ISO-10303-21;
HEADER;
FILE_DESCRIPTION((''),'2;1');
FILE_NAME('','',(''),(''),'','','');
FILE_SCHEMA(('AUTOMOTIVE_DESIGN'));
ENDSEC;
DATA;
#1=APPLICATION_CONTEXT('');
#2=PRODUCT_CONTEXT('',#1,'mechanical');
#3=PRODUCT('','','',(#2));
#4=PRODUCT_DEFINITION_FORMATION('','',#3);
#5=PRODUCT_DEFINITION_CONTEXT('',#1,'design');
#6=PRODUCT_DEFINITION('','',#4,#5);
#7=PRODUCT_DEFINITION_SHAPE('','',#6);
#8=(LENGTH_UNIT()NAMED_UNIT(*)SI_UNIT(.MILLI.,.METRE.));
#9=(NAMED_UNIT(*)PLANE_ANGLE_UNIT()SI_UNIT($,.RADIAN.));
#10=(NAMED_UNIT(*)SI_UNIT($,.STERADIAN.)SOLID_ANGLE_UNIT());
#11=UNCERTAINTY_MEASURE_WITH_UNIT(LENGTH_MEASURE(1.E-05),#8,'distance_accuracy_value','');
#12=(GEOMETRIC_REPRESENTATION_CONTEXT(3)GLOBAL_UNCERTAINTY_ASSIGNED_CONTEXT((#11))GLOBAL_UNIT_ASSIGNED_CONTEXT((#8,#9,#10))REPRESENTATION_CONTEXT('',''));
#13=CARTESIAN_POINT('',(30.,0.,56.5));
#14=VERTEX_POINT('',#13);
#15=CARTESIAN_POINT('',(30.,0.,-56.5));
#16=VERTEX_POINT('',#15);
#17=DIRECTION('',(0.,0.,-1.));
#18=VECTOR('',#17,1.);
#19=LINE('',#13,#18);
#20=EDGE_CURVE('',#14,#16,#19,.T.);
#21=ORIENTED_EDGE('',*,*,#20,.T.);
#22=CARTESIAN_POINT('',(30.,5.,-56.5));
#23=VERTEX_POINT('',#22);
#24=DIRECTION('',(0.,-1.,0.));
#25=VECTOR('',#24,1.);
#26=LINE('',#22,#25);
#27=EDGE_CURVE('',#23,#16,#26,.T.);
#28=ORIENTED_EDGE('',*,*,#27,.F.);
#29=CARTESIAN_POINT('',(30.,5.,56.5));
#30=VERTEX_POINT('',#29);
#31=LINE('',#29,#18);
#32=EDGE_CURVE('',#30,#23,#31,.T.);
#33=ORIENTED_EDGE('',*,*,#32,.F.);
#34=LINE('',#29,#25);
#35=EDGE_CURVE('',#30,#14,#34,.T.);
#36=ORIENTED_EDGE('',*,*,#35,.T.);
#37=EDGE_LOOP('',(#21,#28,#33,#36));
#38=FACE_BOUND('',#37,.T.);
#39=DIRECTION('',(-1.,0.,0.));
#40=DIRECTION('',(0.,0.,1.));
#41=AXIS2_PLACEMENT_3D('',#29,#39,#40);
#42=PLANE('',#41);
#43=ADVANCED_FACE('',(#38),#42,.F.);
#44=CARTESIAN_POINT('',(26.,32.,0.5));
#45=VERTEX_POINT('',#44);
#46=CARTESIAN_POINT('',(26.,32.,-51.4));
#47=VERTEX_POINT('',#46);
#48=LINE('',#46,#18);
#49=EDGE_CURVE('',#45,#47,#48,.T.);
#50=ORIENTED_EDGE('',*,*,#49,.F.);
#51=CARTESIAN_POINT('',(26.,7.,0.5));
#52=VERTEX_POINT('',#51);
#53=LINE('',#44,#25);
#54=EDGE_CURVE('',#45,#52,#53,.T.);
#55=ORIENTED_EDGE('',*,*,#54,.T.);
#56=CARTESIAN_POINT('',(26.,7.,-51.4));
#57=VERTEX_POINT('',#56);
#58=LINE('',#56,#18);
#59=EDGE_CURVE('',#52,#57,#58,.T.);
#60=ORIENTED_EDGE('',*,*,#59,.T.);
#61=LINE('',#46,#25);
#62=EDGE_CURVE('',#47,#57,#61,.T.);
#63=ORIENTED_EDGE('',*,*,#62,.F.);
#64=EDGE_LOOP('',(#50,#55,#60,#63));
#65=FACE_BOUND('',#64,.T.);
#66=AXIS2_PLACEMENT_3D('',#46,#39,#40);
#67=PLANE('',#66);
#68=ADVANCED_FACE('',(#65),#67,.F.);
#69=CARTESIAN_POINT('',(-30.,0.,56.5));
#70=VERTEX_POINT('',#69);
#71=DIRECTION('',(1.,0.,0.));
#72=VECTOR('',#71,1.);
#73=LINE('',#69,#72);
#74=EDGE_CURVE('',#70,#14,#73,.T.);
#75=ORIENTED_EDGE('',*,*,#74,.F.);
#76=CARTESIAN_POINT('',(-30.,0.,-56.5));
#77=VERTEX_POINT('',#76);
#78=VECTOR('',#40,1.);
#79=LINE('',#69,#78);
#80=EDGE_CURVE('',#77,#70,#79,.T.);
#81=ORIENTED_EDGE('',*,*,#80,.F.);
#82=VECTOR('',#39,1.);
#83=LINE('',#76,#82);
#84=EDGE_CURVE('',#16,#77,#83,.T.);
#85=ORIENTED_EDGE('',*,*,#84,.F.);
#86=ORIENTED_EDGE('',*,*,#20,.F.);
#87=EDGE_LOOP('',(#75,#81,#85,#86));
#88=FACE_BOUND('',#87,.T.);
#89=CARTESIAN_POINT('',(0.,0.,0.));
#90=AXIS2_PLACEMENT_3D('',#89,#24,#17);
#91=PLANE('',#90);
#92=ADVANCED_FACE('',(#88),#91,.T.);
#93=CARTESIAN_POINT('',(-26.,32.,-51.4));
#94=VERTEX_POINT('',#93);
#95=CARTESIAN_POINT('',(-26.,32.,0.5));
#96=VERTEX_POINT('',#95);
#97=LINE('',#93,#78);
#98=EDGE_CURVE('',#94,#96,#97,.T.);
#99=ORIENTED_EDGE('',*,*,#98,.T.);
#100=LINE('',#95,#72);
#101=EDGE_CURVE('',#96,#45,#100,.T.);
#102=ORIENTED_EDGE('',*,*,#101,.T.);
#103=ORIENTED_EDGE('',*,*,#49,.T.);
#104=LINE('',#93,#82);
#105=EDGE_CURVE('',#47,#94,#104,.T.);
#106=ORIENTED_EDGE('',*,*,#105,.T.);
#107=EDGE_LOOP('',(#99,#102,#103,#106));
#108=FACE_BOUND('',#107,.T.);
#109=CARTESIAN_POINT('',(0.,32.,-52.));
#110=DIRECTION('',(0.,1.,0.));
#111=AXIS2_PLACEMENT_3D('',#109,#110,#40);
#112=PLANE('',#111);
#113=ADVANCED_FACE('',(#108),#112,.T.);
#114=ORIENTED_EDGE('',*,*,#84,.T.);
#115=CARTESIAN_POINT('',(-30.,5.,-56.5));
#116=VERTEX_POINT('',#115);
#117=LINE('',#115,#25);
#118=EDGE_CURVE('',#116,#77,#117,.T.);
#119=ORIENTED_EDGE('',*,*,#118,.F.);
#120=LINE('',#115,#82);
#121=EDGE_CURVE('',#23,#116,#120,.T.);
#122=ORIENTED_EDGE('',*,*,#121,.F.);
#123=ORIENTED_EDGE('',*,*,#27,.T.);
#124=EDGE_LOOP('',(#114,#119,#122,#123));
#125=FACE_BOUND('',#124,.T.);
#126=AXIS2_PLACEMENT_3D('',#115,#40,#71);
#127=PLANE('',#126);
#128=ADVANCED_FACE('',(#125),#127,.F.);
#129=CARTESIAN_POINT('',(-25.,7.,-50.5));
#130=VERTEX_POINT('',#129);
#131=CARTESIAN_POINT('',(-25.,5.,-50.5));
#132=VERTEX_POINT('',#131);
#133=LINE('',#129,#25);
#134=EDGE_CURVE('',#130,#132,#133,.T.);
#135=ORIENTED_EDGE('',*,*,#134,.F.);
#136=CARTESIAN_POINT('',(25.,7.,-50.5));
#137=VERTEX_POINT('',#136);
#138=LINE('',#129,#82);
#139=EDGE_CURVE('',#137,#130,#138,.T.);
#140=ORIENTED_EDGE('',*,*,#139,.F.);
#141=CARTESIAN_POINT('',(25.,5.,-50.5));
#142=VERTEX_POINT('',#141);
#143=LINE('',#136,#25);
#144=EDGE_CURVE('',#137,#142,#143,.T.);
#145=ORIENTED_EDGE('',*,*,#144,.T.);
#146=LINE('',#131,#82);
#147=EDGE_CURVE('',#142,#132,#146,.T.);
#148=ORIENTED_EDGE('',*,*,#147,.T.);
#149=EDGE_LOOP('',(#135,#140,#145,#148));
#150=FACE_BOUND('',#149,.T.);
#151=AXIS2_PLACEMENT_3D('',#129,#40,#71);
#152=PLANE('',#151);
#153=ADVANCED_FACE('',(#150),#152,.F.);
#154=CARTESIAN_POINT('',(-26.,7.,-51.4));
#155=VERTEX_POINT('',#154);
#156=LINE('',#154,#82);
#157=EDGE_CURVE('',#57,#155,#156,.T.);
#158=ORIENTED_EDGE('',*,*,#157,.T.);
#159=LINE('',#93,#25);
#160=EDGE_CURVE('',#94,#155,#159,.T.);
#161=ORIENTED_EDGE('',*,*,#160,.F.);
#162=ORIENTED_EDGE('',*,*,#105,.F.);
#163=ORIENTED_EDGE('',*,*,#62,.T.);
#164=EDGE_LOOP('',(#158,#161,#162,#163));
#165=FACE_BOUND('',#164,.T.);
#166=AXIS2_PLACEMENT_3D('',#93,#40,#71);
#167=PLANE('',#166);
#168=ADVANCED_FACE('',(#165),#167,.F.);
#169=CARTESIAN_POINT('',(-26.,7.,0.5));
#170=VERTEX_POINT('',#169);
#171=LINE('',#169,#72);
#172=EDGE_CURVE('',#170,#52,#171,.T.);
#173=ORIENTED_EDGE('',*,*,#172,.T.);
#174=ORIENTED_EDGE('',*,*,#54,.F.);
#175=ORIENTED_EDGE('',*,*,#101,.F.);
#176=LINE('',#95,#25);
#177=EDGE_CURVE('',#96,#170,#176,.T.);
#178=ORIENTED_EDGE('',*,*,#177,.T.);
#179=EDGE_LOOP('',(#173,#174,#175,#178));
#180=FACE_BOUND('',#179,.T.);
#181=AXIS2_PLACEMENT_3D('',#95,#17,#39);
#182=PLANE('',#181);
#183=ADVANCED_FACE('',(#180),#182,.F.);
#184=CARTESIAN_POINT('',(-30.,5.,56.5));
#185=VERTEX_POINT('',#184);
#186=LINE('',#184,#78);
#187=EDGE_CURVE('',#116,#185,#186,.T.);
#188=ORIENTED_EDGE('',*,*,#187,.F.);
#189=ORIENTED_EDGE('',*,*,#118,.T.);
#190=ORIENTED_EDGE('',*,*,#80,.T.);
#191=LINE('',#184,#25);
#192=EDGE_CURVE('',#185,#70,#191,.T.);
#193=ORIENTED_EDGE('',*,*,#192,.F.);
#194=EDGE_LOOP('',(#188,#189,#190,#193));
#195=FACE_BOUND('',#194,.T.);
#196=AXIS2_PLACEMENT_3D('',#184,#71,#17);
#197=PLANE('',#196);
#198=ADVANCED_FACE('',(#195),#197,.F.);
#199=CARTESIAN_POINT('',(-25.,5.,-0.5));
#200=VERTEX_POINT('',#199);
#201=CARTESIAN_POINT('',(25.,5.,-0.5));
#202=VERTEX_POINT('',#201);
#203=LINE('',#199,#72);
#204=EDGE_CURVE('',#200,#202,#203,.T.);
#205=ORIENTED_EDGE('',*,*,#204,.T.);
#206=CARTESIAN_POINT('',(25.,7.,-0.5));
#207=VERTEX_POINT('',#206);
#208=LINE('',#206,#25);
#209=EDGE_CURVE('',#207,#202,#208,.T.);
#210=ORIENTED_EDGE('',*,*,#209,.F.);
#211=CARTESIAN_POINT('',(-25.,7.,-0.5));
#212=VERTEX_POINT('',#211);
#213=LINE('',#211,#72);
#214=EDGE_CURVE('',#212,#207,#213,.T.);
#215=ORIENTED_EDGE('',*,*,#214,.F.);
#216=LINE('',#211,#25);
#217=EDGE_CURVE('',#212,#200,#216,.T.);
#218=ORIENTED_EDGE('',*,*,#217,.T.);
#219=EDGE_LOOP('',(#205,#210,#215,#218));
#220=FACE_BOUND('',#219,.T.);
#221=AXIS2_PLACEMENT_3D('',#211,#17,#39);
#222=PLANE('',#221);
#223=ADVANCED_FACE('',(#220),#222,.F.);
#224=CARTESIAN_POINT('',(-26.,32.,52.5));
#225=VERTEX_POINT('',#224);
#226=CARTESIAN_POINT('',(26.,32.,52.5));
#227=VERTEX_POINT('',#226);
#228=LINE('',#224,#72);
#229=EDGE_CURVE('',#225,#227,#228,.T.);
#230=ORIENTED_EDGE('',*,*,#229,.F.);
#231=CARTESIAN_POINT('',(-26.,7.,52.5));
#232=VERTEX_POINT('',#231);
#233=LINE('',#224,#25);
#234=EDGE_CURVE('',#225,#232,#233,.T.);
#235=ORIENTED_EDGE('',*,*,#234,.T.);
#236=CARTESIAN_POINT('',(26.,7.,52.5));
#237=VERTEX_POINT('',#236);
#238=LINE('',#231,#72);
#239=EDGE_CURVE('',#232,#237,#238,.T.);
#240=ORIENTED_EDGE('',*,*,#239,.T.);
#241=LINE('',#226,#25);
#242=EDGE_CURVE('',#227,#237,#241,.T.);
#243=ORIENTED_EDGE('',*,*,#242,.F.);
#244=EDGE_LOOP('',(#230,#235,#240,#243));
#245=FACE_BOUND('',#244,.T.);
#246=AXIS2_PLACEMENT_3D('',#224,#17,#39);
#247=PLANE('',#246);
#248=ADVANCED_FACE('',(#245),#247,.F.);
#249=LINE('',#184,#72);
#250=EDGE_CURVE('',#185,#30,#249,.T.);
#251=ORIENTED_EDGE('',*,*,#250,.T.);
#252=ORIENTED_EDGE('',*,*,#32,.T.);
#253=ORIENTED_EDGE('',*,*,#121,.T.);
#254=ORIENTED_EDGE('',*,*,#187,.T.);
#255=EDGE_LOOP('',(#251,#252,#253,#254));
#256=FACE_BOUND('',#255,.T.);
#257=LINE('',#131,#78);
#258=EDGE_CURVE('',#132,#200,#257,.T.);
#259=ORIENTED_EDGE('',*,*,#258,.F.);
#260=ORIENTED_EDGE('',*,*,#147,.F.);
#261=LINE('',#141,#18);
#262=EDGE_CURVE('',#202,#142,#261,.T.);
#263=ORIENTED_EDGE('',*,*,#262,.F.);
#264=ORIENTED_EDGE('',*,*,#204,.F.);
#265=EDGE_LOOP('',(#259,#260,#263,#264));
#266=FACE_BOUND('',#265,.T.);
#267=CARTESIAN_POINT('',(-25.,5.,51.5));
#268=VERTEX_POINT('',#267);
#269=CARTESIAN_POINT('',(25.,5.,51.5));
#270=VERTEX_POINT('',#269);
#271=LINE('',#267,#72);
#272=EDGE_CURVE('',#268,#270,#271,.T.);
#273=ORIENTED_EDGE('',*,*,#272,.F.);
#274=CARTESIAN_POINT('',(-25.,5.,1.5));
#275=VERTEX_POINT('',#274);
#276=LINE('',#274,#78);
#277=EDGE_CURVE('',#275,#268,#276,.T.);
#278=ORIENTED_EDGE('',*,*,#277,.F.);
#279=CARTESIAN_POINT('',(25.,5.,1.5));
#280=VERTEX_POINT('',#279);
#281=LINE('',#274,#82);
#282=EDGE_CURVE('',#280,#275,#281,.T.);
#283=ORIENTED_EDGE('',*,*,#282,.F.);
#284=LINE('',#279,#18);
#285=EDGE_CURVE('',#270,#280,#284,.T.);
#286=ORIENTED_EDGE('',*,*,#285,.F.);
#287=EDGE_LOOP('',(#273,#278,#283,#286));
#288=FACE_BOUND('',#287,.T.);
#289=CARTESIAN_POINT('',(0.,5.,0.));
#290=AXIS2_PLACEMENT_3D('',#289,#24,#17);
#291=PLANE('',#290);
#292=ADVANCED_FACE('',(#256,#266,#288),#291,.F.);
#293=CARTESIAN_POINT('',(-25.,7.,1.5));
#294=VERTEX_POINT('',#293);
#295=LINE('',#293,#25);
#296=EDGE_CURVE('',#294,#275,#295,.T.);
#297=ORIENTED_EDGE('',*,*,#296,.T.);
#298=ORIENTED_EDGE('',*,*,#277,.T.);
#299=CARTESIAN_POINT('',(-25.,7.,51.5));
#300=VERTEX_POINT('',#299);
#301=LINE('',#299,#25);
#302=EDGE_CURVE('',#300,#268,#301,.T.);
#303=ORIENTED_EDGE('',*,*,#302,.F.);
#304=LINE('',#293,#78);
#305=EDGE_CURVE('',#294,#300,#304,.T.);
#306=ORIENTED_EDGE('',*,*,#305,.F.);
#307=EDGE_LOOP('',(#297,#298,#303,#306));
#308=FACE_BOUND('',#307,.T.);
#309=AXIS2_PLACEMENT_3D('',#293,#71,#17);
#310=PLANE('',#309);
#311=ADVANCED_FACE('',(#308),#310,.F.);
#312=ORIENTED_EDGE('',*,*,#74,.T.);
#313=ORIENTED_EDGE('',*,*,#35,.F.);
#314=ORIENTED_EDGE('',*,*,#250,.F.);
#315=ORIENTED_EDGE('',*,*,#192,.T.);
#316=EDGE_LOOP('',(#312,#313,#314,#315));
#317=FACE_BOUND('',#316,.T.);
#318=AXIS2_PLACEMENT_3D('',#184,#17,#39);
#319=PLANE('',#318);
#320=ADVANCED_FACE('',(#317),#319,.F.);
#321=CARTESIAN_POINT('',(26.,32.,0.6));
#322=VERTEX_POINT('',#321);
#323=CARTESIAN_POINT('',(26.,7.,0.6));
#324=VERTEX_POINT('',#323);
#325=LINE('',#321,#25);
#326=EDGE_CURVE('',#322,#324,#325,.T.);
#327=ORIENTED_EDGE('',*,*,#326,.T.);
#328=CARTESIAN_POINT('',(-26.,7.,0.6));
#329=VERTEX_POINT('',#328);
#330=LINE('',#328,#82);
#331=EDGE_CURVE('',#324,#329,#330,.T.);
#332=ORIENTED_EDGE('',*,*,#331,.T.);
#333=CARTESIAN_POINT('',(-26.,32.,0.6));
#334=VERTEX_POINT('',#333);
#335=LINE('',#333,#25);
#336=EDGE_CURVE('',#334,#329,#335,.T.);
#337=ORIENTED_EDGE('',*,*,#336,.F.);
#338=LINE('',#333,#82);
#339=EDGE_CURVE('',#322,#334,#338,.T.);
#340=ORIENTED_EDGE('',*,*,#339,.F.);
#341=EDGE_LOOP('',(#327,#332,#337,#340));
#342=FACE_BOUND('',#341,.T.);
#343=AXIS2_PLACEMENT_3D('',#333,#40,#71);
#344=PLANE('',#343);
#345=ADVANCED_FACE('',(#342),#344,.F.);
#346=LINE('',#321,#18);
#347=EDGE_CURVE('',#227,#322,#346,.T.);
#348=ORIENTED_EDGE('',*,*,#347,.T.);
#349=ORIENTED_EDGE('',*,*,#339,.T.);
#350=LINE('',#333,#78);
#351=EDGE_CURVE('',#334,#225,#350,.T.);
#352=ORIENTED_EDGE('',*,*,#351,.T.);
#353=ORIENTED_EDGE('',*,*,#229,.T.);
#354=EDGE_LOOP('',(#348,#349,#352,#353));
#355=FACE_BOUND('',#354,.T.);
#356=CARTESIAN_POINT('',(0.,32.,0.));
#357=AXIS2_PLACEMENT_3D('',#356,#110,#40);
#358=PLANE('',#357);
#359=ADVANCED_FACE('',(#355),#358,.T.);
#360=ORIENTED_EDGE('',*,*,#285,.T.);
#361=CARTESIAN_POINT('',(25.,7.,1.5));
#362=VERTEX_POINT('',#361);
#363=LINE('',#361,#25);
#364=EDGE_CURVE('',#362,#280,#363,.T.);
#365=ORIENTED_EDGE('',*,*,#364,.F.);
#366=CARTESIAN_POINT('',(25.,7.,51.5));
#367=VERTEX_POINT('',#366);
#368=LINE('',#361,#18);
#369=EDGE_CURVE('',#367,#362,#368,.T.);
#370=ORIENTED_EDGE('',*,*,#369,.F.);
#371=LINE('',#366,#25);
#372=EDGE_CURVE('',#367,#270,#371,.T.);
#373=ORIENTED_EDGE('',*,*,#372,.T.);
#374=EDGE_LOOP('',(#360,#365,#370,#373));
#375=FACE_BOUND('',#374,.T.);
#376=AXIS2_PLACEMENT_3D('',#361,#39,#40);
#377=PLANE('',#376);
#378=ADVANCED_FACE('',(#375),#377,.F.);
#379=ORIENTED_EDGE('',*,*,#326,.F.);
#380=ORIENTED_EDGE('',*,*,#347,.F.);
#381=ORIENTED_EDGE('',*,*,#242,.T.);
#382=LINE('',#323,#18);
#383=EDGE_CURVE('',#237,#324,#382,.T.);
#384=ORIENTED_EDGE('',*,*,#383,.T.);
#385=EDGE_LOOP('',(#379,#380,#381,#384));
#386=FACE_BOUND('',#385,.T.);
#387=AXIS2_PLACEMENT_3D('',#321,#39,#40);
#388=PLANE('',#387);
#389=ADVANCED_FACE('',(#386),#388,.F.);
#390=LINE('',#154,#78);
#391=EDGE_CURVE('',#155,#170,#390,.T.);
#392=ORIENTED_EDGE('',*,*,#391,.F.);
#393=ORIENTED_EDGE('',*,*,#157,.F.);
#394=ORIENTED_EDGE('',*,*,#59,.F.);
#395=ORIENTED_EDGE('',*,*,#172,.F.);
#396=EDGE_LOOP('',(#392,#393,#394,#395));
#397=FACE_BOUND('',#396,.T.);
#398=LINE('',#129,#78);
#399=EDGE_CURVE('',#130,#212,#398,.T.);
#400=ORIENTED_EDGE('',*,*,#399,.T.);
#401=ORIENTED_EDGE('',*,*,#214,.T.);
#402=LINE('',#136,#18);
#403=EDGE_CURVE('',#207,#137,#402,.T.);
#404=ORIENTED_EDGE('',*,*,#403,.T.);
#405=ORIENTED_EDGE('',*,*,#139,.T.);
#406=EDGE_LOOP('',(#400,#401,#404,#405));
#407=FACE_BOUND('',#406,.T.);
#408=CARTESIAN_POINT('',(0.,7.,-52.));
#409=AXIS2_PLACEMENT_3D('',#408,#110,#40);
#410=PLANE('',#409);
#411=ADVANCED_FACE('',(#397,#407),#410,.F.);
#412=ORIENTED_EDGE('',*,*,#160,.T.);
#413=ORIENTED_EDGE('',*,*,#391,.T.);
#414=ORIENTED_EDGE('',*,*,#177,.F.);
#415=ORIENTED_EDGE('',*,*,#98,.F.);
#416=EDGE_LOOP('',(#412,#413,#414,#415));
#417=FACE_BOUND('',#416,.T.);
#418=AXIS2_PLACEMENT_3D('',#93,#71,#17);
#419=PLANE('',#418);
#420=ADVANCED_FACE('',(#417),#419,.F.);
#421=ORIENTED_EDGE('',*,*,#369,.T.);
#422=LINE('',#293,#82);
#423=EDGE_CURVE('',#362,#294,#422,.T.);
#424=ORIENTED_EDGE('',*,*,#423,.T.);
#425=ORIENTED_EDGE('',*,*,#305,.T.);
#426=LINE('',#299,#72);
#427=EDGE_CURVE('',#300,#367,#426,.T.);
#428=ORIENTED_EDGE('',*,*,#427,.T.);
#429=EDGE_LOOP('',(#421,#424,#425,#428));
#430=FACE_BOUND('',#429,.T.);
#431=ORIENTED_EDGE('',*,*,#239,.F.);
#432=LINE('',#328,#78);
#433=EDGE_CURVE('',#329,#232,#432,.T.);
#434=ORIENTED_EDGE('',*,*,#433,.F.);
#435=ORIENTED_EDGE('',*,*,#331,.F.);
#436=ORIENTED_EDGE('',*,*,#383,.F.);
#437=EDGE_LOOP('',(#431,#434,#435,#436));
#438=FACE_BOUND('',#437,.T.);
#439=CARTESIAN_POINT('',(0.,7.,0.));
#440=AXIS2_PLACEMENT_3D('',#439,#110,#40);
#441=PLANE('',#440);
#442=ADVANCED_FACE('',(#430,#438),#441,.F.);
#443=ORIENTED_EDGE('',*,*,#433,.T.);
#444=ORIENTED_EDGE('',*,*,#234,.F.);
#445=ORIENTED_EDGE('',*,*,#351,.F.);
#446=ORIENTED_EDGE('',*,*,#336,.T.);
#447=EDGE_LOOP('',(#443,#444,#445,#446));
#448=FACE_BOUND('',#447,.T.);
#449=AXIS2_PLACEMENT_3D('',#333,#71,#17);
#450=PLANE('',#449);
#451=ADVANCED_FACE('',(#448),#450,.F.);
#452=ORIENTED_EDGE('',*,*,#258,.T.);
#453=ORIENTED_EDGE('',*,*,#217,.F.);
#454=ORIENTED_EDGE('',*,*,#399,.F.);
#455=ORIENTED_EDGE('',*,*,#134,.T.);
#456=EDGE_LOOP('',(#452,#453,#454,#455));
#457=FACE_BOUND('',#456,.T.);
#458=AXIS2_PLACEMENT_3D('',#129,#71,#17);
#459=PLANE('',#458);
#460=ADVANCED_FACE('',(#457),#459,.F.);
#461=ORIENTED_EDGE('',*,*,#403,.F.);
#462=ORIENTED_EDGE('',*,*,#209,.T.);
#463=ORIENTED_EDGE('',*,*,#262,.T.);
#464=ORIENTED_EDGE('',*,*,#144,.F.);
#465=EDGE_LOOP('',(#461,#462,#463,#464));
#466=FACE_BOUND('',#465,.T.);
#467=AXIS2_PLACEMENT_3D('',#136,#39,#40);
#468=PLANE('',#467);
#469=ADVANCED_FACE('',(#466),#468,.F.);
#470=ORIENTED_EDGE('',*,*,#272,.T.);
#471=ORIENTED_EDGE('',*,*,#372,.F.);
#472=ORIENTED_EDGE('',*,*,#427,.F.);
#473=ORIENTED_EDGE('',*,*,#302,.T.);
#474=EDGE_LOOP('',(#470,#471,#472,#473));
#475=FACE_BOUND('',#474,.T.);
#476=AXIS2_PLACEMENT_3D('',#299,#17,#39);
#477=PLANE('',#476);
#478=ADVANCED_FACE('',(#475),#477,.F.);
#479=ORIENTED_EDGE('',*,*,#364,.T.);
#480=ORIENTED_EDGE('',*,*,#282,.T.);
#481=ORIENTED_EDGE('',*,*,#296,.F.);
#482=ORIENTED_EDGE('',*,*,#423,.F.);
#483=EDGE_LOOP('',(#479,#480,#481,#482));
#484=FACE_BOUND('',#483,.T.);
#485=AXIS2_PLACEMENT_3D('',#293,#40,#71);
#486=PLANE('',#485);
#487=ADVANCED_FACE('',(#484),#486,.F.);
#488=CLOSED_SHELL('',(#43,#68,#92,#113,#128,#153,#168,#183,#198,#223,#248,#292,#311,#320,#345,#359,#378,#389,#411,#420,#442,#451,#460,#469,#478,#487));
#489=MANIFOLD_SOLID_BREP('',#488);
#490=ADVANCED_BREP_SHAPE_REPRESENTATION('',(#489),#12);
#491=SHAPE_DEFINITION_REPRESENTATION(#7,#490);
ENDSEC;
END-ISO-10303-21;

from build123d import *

# Parameters (mm, degrees)
SKETCH1_W           = 60
SKETCH1_H           = 113
BOSS_EXTRUDE1_DEPTH = 5
SKETCH2_W           = 50
SKETCH2_H           = 50
BOSS_EXTRUDE3_DEPTH = 2
LPATTERN1_COUNT     = 2
LPATTERN1_PITCH     = 52
SKETCH3_W           = 52
SKETCH3_H           = 51.9
BOSS_EXTRUDE8_DEPTH = 25
LPATTERN5_COUNT     = 2
LPATTERN5_PITCH     = 52


with BuildPart() as part:
    # Sketch1 → Boss-Extrude1 (new body)
    with BuildSketch(Plane(origin=(0, 0, 0), x_dir=(1, 0, 0), z_dir=(0, 1, 0))):
        Rectangle(SKETCH1_W, SKETCH1_H)
    extrude(amount=BOSS_EXTRUDE1_DEPTH)

    # Sketch2 → Boss-Extrude3 (add)
    with BuildSketch(Plane(origin=(0, 5, 0), x_dir=(1, 0, 0), z_dir=(0, 1, 0))):
        with Locations((0, -26.5)):
            Rectangle(SKETCH2_W, SKETCH2_H)
    boss_extrude3 = extrude(amount=BOSS_EXTRUDE3_DEPTH)

    # LPattern1: Boss-Extrude3 ×2
    with Locations(*[(0, 0, -i * LPATTERN1_PITCH) for i in range(1, LPATTERN1_COUNT)]):
        add(boss_extrude3)

    # Sketch3 → Boss-Extrude8 (add)
    with BuildSketch(Plane(origin=(0, 7, 0), x_dir=(1, 0, 0), z_dir=(0, 1, 0))):
        with Locations((0, -26.55)):
            Rectangle(SKETCH3_W, SKETCH3_H)
    boss_extrude8 = extrude(amount=BOSS_EXTRUDE8_DEPTH)

    # LPattern5: Boss-Extrude8 ×2
    with Locations(*[(0, 0, -i * LPATTERN5_PITCH) for i in range(1, LPATTERN5_COUNT)]):
        add(boss_extrude8)


solid = part.part
